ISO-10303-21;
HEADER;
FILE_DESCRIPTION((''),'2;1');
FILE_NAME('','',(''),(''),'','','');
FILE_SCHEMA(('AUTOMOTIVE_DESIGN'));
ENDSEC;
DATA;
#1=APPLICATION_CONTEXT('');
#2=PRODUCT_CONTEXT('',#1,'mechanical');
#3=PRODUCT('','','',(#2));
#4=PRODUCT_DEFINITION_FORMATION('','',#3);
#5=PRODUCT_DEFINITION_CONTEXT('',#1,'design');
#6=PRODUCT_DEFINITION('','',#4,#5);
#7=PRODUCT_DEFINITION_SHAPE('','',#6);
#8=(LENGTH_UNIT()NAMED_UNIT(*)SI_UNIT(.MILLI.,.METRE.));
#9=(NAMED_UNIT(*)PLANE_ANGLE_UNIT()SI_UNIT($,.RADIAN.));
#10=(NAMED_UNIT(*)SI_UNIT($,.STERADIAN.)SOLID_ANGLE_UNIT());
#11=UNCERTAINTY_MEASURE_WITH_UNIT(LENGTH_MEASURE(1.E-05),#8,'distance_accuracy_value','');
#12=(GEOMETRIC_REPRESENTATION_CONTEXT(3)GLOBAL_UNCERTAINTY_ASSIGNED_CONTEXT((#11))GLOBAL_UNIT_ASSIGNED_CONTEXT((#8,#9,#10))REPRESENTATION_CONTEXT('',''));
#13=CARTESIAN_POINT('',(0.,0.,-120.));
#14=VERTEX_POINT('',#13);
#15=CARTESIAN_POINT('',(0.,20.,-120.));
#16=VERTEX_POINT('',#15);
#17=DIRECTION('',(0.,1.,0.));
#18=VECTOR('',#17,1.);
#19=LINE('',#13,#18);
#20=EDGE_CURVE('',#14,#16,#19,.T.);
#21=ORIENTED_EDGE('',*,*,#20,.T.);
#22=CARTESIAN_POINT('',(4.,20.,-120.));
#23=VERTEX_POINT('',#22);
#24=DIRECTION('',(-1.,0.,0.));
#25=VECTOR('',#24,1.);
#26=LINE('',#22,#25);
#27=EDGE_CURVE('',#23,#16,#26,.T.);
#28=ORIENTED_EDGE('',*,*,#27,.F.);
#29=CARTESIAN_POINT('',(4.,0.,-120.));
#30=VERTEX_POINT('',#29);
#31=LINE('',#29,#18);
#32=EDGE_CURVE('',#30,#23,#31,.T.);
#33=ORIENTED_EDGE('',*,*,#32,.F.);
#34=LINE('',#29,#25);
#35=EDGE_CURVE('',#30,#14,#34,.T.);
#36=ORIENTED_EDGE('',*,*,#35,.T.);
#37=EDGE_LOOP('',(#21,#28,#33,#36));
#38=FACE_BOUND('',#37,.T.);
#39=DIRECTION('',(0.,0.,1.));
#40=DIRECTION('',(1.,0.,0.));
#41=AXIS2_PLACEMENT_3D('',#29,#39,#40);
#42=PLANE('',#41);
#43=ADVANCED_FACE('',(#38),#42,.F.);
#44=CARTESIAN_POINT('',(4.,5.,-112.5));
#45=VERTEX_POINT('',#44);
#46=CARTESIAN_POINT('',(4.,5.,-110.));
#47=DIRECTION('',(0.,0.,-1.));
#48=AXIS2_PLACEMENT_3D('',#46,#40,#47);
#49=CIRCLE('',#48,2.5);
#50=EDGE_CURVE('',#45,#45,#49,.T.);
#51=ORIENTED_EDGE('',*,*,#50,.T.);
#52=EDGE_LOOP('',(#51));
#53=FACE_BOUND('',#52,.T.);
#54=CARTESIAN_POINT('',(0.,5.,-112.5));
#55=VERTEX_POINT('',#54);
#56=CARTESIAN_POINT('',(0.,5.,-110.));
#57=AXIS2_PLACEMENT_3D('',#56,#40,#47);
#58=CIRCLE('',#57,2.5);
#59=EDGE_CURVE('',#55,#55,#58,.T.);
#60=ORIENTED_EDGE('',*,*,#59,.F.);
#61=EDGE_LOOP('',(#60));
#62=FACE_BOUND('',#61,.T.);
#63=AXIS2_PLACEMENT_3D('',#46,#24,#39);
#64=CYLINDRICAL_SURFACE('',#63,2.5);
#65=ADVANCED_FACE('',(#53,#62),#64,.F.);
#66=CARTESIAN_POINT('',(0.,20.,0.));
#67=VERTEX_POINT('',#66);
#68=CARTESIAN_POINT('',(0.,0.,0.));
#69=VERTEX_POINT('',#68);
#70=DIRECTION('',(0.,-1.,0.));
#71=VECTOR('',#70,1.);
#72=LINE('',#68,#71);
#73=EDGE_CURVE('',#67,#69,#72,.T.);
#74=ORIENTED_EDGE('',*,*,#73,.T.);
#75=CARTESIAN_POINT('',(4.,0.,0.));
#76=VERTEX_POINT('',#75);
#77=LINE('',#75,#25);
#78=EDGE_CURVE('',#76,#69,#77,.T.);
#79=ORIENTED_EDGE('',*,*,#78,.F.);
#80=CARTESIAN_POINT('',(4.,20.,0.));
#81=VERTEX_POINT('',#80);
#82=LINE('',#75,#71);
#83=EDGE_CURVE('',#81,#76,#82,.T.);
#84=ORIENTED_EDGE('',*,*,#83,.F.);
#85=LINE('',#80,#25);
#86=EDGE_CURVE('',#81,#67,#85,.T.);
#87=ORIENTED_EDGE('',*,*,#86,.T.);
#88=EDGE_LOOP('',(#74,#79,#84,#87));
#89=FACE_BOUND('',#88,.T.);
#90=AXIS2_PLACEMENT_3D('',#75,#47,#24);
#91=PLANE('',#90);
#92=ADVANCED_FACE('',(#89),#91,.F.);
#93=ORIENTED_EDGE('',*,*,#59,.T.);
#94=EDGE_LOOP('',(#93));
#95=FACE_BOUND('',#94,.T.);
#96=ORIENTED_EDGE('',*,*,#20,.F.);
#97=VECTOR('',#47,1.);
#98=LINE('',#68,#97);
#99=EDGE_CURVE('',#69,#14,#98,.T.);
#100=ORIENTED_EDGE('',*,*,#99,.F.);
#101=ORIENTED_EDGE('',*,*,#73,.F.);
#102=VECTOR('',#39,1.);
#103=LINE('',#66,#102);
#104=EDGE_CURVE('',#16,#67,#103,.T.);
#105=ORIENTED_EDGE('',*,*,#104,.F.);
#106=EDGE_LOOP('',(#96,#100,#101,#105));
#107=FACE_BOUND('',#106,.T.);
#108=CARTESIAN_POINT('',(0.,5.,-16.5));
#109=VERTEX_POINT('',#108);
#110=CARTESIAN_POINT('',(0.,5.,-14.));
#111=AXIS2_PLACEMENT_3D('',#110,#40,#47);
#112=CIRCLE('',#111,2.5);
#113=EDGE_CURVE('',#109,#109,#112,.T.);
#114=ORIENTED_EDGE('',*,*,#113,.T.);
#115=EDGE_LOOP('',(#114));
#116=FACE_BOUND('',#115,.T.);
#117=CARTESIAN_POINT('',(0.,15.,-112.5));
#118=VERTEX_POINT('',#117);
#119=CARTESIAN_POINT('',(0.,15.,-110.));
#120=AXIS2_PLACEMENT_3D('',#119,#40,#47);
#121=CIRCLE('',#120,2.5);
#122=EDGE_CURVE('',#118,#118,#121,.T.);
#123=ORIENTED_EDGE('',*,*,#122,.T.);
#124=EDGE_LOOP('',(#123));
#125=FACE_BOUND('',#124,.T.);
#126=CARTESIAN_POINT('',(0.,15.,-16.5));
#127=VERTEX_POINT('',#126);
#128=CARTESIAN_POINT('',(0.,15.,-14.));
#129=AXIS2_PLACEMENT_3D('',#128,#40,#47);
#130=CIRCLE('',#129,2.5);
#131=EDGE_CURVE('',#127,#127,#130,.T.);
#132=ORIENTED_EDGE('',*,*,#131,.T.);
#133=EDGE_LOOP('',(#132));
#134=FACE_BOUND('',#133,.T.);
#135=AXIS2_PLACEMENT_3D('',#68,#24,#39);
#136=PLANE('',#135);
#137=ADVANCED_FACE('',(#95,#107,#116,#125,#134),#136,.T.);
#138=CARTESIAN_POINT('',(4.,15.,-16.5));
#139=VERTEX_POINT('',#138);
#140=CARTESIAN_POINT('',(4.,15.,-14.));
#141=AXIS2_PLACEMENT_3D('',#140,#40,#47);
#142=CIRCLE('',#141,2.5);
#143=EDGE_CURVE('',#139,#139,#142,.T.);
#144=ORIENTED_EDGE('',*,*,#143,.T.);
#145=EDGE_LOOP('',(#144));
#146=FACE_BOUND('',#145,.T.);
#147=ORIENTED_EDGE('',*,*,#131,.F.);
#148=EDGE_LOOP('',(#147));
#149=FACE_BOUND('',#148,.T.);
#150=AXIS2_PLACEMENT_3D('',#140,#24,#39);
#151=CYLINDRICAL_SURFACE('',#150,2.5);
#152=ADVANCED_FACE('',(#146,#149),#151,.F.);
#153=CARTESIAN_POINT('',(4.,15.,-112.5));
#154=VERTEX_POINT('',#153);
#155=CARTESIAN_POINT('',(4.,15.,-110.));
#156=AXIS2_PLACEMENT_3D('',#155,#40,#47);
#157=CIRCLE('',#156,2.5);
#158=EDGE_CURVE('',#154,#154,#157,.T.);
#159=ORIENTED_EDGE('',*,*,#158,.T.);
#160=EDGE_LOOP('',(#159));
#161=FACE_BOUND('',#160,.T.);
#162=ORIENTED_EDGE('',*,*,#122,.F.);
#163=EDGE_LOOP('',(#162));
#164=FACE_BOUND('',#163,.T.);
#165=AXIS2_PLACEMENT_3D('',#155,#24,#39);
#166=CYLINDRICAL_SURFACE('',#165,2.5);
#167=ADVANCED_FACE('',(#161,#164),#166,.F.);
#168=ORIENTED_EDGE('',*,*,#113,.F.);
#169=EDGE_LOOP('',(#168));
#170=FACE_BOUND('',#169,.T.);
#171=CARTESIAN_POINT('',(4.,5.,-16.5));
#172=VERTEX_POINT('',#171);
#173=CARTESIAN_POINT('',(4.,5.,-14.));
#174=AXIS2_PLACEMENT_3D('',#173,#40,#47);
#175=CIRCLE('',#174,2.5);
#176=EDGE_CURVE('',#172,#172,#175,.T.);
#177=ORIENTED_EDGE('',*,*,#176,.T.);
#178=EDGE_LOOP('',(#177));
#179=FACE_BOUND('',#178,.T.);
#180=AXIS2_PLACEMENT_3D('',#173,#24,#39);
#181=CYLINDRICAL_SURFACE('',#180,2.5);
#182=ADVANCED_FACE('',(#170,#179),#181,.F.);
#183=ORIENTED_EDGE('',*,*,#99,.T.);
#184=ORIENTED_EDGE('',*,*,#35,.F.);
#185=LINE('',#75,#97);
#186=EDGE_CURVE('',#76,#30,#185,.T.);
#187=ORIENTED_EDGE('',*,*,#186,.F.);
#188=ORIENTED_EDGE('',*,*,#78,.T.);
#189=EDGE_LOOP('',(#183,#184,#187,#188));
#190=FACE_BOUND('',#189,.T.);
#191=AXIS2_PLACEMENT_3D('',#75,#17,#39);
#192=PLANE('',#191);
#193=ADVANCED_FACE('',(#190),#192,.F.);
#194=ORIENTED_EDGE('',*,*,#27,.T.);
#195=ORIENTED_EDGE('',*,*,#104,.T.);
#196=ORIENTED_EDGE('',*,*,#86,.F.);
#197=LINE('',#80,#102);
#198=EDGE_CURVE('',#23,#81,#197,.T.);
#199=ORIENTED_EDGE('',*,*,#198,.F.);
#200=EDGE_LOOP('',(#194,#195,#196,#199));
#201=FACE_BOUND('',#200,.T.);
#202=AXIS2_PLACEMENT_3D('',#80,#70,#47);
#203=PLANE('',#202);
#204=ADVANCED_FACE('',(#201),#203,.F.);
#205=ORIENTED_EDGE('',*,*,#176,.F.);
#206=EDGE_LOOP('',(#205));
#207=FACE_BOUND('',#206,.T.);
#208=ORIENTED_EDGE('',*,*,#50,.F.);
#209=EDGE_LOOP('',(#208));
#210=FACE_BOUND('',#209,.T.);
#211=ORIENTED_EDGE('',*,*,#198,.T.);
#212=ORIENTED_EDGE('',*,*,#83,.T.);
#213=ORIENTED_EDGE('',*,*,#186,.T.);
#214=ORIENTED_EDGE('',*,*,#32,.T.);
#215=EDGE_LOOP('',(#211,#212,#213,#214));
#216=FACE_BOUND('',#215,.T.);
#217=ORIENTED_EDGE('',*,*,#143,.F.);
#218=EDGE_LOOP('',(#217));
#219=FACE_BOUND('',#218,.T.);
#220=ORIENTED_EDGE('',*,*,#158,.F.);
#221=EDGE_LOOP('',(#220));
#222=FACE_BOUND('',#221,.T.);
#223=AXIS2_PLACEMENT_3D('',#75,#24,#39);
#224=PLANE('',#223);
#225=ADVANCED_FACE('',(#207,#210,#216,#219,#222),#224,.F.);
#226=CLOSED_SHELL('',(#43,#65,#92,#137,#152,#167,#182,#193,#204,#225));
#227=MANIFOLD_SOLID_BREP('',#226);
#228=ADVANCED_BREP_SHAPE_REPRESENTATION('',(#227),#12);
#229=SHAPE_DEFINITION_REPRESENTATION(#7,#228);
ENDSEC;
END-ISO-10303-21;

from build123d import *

# Parameters (mm, degrees)
SKETCH_1_W      = 120
SKETCH_1_H      = 20
SKETCH_1_R      = 2.5
EXTRUDE_1_DEPTH = 4


with BuildPart() as part:
    # Эскиз1 → Бобышка-Вытянуть1 (new body)
    with BuildSketch(Plane(origin=(0, 0, 0), x_dir=(0, 0, -1), z_dir=(1, 0, 0))):
        with Locations((60, 10)):
            Rectangle(SKETCH_1_W, SKETCH_1_H)
        with Locations((110, 15)):
            Circle(SKETCH_1_R, mode=Mode.SUBTRACT)
        with Locations((110, 5)):
            Circle(SKETCH_1_R, mode=Mode.SUBTRACT)
        with Locations((14, 15)):
            Circle(SKETCH_1_R, mode=Mode.SUBTRACT)
        with Locations((14, 5)):
            Circle(SKETCH_1_R, mode=Mode.SUBTRACT)
    extrude(amount=EXTRUDE_1_DEPTH)


solid = part.part
